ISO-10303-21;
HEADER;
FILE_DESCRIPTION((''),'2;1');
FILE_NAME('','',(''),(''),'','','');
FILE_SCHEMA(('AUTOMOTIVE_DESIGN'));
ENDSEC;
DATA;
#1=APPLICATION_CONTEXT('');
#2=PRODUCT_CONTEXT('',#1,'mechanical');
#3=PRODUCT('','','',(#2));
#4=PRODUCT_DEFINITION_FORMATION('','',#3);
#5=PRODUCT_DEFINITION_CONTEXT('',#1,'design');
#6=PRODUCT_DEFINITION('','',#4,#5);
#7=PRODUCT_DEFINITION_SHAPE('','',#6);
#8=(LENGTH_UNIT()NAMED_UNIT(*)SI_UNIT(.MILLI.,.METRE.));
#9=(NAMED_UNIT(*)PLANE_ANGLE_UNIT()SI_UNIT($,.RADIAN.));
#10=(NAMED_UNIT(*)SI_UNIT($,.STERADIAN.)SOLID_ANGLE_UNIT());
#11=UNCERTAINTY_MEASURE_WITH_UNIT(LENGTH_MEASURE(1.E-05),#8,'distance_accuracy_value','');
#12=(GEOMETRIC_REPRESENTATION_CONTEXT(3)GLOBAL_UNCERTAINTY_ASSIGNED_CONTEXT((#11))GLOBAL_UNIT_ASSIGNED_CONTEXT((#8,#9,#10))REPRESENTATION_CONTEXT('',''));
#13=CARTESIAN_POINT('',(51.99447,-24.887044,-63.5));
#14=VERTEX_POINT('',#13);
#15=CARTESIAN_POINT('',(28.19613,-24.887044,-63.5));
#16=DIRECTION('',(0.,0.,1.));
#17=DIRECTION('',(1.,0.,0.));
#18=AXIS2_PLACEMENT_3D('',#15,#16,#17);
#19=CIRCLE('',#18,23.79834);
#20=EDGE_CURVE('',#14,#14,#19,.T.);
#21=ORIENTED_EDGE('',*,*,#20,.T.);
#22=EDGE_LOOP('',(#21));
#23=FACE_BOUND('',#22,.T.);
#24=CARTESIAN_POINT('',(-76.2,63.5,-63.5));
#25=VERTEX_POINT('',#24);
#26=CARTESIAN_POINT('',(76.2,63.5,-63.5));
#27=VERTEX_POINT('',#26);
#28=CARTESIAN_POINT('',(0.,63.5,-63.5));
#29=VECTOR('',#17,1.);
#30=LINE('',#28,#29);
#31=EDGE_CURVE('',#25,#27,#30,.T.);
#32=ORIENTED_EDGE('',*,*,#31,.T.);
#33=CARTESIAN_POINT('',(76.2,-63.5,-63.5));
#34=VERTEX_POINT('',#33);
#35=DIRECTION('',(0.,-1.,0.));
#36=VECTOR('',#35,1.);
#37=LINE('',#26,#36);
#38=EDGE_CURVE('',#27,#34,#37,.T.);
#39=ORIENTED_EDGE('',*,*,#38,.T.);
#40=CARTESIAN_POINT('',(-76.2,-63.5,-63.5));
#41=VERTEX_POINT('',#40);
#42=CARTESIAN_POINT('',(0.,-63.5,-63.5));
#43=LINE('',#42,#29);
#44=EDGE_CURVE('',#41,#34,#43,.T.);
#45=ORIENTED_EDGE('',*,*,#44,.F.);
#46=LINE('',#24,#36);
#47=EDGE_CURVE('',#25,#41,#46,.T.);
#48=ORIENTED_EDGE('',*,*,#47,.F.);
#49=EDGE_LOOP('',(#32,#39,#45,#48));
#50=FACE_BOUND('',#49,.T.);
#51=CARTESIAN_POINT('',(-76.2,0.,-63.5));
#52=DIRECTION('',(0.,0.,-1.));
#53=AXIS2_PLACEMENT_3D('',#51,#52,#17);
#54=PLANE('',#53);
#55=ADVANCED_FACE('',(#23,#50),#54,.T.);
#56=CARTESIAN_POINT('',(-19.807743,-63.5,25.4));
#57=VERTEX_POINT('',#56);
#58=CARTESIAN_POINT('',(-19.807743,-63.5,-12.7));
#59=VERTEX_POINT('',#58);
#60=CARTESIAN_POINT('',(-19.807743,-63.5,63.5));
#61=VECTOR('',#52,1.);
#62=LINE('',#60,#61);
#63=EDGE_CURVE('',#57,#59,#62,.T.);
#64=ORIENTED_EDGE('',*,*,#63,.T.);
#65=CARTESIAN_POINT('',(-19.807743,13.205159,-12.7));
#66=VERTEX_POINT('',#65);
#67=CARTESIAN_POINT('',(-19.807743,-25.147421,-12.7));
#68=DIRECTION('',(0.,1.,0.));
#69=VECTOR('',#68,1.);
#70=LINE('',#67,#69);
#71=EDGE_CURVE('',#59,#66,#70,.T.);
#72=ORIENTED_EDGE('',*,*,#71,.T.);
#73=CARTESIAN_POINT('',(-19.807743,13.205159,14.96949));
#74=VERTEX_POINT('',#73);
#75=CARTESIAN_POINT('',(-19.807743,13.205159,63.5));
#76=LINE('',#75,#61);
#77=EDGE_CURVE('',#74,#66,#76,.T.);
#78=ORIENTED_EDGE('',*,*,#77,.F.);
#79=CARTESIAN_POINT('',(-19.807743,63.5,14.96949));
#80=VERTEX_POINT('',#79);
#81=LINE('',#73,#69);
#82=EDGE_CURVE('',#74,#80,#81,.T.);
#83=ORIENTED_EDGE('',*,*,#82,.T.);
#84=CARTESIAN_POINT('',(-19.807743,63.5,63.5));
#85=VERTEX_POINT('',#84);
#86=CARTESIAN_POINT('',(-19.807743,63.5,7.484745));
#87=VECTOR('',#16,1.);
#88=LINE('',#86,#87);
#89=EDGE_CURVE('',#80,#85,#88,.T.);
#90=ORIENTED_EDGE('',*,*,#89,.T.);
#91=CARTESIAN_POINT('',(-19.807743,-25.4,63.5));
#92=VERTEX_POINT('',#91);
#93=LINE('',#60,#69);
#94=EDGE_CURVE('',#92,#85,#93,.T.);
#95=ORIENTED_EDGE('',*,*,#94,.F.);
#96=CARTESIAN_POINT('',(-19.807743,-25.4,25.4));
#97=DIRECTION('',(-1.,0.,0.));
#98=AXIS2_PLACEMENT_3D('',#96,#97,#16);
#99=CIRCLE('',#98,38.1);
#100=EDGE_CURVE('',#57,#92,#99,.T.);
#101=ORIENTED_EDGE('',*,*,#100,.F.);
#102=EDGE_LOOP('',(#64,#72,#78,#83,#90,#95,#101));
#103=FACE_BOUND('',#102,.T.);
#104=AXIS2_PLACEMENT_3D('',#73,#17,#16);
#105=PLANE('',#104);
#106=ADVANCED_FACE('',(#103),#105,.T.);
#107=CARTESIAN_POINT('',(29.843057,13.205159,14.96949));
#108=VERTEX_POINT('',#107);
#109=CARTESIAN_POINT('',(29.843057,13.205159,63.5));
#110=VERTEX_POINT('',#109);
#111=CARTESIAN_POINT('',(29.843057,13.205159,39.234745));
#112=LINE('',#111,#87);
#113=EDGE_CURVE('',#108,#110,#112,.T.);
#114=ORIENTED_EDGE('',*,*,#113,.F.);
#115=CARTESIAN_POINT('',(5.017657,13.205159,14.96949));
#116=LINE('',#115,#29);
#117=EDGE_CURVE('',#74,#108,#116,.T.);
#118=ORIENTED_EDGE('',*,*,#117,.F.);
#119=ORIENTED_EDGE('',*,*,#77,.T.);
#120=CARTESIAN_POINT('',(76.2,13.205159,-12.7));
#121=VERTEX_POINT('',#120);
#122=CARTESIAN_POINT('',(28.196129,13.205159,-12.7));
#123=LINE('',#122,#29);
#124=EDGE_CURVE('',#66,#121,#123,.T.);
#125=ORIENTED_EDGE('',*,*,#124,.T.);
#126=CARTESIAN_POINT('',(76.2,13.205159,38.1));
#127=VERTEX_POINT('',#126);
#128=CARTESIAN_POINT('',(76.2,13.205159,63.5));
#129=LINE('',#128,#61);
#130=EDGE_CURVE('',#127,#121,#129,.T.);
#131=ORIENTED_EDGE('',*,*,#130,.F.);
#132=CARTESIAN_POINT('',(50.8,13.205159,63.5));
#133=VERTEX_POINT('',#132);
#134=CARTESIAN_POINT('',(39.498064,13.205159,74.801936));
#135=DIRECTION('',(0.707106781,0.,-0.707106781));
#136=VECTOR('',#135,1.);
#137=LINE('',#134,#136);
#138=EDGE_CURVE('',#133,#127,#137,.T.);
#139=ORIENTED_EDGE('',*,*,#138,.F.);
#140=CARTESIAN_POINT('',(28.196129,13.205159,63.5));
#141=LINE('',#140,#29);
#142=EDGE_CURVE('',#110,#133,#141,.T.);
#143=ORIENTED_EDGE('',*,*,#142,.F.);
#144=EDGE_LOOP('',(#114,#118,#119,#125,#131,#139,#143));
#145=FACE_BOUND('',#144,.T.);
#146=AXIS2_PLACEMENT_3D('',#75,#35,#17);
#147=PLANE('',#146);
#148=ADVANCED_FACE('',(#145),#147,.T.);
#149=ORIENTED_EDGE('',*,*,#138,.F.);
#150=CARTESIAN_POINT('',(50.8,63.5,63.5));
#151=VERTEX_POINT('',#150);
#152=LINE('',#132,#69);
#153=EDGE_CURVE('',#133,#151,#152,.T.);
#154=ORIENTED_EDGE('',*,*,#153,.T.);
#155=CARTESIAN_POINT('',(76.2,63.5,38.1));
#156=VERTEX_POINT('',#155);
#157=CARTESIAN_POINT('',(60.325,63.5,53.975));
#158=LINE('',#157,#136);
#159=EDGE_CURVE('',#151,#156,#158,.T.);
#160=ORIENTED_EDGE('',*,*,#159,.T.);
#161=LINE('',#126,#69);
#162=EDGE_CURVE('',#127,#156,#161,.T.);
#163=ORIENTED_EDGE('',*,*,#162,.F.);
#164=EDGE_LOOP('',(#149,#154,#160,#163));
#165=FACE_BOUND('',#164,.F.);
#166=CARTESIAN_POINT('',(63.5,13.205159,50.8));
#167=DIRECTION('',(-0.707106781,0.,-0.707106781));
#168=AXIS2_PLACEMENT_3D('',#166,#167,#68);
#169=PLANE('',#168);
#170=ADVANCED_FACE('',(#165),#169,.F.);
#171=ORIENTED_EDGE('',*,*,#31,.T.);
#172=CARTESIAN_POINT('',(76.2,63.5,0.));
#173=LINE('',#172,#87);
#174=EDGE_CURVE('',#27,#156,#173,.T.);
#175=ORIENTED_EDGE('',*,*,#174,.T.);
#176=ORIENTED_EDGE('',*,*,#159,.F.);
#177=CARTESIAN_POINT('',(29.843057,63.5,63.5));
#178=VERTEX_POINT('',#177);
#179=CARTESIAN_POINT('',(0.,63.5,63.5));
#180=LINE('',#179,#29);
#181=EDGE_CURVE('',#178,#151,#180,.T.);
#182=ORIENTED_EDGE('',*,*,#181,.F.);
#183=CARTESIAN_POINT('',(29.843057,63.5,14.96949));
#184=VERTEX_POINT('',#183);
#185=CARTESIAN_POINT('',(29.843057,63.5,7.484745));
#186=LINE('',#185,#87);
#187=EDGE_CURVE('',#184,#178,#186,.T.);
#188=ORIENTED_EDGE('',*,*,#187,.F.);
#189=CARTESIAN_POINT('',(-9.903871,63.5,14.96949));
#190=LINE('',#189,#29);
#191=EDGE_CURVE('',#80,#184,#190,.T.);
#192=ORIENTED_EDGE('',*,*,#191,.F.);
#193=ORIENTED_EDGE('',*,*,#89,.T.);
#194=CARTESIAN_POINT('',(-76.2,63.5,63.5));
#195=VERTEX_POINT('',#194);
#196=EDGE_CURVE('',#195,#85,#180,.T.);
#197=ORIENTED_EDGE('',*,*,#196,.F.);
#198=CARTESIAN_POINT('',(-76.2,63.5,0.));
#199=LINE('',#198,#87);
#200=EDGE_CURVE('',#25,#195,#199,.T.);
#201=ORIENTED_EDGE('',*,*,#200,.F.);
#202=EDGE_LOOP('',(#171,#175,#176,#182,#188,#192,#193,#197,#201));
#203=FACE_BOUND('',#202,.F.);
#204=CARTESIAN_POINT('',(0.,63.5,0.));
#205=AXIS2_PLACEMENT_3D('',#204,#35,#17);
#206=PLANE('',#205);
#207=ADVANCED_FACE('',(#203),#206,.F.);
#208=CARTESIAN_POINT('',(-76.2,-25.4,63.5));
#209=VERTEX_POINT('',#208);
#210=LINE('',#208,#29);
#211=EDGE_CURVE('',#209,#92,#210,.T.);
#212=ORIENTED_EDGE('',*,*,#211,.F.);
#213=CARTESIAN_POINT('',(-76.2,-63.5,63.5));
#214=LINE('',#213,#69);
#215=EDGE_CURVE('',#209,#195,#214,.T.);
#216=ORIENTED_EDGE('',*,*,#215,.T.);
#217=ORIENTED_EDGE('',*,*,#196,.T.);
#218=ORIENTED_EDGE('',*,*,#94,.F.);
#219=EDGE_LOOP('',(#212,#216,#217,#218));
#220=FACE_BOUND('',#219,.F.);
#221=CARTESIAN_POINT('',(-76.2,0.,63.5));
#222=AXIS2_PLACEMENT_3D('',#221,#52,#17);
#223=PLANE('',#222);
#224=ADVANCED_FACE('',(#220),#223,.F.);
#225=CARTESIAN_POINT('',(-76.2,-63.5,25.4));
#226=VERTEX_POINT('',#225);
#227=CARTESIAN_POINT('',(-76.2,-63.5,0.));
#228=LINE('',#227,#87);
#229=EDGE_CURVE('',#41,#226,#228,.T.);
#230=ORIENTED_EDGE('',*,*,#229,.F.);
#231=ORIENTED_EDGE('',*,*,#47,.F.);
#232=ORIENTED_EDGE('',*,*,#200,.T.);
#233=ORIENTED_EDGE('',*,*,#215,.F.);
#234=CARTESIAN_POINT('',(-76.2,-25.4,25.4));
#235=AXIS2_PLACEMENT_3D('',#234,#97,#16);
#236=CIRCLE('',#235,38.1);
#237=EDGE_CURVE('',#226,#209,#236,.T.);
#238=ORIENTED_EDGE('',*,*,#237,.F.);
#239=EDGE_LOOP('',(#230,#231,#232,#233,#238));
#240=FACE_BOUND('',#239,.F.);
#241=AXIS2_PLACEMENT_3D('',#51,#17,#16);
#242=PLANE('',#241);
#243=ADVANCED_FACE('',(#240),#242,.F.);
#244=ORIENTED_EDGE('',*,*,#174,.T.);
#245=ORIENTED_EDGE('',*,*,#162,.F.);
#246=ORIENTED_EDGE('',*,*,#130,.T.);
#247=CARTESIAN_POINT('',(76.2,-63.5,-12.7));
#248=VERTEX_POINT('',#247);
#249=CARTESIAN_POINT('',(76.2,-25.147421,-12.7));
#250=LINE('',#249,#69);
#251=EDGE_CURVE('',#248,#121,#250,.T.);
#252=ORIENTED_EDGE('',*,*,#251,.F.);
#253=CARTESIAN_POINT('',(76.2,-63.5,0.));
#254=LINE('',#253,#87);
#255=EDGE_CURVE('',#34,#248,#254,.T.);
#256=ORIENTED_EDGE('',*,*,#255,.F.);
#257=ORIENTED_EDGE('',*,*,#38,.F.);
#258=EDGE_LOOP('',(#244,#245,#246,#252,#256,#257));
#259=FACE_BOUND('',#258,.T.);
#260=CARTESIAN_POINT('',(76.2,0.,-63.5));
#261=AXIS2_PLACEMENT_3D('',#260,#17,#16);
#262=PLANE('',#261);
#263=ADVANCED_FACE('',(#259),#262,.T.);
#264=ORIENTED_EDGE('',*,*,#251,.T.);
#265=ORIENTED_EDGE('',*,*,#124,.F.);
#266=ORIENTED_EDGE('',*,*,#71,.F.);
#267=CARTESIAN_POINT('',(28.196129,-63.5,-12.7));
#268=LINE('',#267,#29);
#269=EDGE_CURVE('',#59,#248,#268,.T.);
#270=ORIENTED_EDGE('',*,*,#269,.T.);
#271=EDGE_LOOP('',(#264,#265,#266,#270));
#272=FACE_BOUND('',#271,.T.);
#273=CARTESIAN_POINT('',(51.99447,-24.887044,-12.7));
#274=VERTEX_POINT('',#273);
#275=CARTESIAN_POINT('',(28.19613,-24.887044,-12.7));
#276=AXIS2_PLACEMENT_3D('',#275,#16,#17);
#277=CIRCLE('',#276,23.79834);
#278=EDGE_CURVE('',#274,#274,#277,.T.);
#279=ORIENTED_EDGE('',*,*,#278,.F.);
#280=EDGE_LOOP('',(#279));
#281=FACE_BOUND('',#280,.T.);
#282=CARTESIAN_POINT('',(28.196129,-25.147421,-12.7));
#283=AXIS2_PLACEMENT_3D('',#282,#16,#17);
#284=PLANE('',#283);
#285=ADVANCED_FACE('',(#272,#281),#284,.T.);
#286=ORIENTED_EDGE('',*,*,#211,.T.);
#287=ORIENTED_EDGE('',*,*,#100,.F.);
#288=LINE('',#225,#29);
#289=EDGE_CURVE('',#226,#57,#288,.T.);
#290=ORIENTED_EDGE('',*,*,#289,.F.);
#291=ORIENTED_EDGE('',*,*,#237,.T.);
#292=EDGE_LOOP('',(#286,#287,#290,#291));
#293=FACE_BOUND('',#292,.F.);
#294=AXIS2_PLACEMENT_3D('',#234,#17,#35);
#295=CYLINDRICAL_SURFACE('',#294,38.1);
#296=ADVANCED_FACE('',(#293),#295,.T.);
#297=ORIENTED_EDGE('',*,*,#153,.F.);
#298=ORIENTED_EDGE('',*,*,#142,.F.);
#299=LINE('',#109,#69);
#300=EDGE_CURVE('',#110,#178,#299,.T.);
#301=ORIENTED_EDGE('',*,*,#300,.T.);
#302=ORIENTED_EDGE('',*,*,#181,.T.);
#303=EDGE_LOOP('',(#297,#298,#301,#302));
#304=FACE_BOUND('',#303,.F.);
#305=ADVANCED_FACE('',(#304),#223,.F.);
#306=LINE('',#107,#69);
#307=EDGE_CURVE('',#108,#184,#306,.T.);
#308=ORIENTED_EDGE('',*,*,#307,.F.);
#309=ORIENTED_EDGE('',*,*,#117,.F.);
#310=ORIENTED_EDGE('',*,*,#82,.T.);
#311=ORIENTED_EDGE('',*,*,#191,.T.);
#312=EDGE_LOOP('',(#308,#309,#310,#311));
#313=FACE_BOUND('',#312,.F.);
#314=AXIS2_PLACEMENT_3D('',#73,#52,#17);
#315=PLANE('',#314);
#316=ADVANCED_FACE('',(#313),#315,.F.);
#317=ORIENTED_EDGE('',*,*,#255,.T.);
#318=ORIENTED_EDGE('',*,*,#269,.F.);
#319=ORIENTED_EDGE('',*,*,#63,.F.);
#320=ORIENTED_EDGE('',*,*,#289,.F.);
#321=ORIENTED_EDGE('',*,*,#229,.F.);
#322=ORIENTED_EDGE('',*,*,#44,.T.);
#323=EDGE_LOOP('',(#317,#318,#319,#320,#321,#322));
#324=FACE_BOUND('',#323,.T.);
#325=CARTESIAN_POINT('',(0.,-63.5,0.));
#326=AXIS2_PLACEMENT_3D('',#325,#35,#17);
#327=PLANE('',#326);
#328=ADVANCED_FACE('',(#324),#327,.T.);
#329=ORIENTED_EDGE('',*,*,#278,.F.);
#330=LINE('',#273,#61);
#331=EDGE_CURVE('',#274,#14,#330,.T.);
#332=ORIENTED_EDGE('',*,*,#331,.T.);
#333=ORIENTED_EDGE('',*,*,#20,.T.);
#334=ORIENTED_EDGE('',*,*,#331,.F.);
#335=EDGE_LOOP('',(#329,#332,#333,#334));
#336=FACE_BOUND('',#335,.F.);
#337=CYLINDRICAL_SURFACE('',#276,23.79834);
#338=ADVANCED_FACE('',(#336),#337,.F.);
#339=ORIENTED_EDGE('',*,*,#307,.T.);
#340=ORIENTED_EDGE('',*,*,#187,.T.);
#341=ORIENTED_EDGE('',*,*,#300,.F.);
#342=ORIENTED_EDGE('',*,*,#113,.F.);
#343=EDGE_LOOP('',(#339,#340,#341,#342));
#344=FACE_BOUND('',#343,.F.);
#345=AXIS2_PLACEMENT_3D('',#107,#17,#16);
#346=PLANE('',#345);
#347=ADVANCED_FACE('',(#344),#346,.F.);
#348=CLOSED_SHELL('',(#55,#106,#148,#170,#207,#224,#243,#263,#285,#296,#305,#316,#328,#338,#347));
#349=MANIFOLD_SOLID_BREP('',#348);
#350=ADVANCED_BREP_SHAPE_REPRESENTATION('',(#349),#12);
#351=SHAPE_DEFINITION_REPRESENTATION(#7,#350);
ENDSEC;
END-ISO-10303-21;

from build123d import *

# Parameters (mm, degrees)
F0_W     = 152.4
F0_H     = 127
F1_DEPTH = 63.5
F2_W     = 96.0077429086
F2_H     = 76.7051585242
F3_DEPTH = 76.2
F4_W     = 49.6507994831
F4_H     = 48.5305104628
F5_DEPTH = 75.184
F6_R     = 38.1
F7_SIZE  = 25.4
F8_R     = 23.7983401661
F9_DEPTH = 86.36


with BuildPart() as f1:
    # F0 (on Front) → F1 (new body, symmetric)
    with BuildSketch(Plane.XZ):
        Rectangle(F0_W, F0_H)
    extrude(amount=F1_DEPTH, both=True)

    # F2 (on face) → F3 (cut)
    with BuildSketch(Plane.XY.offset(63.5)):
        with Locations((28.1961285457, -25.1474207379)):
            Rectangle(F2_W, F2_H)
    extrude(amount=-F3_DEPTH, mode=Mode.SUBTRACT)

    # F4 (on face) → F5 (cut)
    with BuildSketch(Plane.XZ.offset(-13.2051585242)):
        with Locations((5.0176568329, 39.2347447686)):
            Rectangle(F4_W, F4_H)
    extrude(amount=-F5_DEPTH, mode=Mode.SUBTRACT)

    # F6
    f6_edges = [f1.edges().sort_by_distance(p)[0] for p in [
        (-48.003871, -63.5, 63.5),
    ]]
    fillet(f6_edges, radius=F6_R)

    # F7
    f7_edges = [f1.edges().sort_by_distance(p)[0] for p in [
        (76.2, 38.352579, 63.5),
    ]]
    chamfer(f7_edges, length=F7_SIZE)

    # F8 (on face) → F9 (cut)
    with BuildSketch(Plane.XY.offset(-12.7)):
        with Locations((28.1961299479, -24.8870439827)):
            Circle(F8_R)
    extrude(amount=-F9_DEPTH, mode=Mode.SUBTRACT)


solid = f1.part
